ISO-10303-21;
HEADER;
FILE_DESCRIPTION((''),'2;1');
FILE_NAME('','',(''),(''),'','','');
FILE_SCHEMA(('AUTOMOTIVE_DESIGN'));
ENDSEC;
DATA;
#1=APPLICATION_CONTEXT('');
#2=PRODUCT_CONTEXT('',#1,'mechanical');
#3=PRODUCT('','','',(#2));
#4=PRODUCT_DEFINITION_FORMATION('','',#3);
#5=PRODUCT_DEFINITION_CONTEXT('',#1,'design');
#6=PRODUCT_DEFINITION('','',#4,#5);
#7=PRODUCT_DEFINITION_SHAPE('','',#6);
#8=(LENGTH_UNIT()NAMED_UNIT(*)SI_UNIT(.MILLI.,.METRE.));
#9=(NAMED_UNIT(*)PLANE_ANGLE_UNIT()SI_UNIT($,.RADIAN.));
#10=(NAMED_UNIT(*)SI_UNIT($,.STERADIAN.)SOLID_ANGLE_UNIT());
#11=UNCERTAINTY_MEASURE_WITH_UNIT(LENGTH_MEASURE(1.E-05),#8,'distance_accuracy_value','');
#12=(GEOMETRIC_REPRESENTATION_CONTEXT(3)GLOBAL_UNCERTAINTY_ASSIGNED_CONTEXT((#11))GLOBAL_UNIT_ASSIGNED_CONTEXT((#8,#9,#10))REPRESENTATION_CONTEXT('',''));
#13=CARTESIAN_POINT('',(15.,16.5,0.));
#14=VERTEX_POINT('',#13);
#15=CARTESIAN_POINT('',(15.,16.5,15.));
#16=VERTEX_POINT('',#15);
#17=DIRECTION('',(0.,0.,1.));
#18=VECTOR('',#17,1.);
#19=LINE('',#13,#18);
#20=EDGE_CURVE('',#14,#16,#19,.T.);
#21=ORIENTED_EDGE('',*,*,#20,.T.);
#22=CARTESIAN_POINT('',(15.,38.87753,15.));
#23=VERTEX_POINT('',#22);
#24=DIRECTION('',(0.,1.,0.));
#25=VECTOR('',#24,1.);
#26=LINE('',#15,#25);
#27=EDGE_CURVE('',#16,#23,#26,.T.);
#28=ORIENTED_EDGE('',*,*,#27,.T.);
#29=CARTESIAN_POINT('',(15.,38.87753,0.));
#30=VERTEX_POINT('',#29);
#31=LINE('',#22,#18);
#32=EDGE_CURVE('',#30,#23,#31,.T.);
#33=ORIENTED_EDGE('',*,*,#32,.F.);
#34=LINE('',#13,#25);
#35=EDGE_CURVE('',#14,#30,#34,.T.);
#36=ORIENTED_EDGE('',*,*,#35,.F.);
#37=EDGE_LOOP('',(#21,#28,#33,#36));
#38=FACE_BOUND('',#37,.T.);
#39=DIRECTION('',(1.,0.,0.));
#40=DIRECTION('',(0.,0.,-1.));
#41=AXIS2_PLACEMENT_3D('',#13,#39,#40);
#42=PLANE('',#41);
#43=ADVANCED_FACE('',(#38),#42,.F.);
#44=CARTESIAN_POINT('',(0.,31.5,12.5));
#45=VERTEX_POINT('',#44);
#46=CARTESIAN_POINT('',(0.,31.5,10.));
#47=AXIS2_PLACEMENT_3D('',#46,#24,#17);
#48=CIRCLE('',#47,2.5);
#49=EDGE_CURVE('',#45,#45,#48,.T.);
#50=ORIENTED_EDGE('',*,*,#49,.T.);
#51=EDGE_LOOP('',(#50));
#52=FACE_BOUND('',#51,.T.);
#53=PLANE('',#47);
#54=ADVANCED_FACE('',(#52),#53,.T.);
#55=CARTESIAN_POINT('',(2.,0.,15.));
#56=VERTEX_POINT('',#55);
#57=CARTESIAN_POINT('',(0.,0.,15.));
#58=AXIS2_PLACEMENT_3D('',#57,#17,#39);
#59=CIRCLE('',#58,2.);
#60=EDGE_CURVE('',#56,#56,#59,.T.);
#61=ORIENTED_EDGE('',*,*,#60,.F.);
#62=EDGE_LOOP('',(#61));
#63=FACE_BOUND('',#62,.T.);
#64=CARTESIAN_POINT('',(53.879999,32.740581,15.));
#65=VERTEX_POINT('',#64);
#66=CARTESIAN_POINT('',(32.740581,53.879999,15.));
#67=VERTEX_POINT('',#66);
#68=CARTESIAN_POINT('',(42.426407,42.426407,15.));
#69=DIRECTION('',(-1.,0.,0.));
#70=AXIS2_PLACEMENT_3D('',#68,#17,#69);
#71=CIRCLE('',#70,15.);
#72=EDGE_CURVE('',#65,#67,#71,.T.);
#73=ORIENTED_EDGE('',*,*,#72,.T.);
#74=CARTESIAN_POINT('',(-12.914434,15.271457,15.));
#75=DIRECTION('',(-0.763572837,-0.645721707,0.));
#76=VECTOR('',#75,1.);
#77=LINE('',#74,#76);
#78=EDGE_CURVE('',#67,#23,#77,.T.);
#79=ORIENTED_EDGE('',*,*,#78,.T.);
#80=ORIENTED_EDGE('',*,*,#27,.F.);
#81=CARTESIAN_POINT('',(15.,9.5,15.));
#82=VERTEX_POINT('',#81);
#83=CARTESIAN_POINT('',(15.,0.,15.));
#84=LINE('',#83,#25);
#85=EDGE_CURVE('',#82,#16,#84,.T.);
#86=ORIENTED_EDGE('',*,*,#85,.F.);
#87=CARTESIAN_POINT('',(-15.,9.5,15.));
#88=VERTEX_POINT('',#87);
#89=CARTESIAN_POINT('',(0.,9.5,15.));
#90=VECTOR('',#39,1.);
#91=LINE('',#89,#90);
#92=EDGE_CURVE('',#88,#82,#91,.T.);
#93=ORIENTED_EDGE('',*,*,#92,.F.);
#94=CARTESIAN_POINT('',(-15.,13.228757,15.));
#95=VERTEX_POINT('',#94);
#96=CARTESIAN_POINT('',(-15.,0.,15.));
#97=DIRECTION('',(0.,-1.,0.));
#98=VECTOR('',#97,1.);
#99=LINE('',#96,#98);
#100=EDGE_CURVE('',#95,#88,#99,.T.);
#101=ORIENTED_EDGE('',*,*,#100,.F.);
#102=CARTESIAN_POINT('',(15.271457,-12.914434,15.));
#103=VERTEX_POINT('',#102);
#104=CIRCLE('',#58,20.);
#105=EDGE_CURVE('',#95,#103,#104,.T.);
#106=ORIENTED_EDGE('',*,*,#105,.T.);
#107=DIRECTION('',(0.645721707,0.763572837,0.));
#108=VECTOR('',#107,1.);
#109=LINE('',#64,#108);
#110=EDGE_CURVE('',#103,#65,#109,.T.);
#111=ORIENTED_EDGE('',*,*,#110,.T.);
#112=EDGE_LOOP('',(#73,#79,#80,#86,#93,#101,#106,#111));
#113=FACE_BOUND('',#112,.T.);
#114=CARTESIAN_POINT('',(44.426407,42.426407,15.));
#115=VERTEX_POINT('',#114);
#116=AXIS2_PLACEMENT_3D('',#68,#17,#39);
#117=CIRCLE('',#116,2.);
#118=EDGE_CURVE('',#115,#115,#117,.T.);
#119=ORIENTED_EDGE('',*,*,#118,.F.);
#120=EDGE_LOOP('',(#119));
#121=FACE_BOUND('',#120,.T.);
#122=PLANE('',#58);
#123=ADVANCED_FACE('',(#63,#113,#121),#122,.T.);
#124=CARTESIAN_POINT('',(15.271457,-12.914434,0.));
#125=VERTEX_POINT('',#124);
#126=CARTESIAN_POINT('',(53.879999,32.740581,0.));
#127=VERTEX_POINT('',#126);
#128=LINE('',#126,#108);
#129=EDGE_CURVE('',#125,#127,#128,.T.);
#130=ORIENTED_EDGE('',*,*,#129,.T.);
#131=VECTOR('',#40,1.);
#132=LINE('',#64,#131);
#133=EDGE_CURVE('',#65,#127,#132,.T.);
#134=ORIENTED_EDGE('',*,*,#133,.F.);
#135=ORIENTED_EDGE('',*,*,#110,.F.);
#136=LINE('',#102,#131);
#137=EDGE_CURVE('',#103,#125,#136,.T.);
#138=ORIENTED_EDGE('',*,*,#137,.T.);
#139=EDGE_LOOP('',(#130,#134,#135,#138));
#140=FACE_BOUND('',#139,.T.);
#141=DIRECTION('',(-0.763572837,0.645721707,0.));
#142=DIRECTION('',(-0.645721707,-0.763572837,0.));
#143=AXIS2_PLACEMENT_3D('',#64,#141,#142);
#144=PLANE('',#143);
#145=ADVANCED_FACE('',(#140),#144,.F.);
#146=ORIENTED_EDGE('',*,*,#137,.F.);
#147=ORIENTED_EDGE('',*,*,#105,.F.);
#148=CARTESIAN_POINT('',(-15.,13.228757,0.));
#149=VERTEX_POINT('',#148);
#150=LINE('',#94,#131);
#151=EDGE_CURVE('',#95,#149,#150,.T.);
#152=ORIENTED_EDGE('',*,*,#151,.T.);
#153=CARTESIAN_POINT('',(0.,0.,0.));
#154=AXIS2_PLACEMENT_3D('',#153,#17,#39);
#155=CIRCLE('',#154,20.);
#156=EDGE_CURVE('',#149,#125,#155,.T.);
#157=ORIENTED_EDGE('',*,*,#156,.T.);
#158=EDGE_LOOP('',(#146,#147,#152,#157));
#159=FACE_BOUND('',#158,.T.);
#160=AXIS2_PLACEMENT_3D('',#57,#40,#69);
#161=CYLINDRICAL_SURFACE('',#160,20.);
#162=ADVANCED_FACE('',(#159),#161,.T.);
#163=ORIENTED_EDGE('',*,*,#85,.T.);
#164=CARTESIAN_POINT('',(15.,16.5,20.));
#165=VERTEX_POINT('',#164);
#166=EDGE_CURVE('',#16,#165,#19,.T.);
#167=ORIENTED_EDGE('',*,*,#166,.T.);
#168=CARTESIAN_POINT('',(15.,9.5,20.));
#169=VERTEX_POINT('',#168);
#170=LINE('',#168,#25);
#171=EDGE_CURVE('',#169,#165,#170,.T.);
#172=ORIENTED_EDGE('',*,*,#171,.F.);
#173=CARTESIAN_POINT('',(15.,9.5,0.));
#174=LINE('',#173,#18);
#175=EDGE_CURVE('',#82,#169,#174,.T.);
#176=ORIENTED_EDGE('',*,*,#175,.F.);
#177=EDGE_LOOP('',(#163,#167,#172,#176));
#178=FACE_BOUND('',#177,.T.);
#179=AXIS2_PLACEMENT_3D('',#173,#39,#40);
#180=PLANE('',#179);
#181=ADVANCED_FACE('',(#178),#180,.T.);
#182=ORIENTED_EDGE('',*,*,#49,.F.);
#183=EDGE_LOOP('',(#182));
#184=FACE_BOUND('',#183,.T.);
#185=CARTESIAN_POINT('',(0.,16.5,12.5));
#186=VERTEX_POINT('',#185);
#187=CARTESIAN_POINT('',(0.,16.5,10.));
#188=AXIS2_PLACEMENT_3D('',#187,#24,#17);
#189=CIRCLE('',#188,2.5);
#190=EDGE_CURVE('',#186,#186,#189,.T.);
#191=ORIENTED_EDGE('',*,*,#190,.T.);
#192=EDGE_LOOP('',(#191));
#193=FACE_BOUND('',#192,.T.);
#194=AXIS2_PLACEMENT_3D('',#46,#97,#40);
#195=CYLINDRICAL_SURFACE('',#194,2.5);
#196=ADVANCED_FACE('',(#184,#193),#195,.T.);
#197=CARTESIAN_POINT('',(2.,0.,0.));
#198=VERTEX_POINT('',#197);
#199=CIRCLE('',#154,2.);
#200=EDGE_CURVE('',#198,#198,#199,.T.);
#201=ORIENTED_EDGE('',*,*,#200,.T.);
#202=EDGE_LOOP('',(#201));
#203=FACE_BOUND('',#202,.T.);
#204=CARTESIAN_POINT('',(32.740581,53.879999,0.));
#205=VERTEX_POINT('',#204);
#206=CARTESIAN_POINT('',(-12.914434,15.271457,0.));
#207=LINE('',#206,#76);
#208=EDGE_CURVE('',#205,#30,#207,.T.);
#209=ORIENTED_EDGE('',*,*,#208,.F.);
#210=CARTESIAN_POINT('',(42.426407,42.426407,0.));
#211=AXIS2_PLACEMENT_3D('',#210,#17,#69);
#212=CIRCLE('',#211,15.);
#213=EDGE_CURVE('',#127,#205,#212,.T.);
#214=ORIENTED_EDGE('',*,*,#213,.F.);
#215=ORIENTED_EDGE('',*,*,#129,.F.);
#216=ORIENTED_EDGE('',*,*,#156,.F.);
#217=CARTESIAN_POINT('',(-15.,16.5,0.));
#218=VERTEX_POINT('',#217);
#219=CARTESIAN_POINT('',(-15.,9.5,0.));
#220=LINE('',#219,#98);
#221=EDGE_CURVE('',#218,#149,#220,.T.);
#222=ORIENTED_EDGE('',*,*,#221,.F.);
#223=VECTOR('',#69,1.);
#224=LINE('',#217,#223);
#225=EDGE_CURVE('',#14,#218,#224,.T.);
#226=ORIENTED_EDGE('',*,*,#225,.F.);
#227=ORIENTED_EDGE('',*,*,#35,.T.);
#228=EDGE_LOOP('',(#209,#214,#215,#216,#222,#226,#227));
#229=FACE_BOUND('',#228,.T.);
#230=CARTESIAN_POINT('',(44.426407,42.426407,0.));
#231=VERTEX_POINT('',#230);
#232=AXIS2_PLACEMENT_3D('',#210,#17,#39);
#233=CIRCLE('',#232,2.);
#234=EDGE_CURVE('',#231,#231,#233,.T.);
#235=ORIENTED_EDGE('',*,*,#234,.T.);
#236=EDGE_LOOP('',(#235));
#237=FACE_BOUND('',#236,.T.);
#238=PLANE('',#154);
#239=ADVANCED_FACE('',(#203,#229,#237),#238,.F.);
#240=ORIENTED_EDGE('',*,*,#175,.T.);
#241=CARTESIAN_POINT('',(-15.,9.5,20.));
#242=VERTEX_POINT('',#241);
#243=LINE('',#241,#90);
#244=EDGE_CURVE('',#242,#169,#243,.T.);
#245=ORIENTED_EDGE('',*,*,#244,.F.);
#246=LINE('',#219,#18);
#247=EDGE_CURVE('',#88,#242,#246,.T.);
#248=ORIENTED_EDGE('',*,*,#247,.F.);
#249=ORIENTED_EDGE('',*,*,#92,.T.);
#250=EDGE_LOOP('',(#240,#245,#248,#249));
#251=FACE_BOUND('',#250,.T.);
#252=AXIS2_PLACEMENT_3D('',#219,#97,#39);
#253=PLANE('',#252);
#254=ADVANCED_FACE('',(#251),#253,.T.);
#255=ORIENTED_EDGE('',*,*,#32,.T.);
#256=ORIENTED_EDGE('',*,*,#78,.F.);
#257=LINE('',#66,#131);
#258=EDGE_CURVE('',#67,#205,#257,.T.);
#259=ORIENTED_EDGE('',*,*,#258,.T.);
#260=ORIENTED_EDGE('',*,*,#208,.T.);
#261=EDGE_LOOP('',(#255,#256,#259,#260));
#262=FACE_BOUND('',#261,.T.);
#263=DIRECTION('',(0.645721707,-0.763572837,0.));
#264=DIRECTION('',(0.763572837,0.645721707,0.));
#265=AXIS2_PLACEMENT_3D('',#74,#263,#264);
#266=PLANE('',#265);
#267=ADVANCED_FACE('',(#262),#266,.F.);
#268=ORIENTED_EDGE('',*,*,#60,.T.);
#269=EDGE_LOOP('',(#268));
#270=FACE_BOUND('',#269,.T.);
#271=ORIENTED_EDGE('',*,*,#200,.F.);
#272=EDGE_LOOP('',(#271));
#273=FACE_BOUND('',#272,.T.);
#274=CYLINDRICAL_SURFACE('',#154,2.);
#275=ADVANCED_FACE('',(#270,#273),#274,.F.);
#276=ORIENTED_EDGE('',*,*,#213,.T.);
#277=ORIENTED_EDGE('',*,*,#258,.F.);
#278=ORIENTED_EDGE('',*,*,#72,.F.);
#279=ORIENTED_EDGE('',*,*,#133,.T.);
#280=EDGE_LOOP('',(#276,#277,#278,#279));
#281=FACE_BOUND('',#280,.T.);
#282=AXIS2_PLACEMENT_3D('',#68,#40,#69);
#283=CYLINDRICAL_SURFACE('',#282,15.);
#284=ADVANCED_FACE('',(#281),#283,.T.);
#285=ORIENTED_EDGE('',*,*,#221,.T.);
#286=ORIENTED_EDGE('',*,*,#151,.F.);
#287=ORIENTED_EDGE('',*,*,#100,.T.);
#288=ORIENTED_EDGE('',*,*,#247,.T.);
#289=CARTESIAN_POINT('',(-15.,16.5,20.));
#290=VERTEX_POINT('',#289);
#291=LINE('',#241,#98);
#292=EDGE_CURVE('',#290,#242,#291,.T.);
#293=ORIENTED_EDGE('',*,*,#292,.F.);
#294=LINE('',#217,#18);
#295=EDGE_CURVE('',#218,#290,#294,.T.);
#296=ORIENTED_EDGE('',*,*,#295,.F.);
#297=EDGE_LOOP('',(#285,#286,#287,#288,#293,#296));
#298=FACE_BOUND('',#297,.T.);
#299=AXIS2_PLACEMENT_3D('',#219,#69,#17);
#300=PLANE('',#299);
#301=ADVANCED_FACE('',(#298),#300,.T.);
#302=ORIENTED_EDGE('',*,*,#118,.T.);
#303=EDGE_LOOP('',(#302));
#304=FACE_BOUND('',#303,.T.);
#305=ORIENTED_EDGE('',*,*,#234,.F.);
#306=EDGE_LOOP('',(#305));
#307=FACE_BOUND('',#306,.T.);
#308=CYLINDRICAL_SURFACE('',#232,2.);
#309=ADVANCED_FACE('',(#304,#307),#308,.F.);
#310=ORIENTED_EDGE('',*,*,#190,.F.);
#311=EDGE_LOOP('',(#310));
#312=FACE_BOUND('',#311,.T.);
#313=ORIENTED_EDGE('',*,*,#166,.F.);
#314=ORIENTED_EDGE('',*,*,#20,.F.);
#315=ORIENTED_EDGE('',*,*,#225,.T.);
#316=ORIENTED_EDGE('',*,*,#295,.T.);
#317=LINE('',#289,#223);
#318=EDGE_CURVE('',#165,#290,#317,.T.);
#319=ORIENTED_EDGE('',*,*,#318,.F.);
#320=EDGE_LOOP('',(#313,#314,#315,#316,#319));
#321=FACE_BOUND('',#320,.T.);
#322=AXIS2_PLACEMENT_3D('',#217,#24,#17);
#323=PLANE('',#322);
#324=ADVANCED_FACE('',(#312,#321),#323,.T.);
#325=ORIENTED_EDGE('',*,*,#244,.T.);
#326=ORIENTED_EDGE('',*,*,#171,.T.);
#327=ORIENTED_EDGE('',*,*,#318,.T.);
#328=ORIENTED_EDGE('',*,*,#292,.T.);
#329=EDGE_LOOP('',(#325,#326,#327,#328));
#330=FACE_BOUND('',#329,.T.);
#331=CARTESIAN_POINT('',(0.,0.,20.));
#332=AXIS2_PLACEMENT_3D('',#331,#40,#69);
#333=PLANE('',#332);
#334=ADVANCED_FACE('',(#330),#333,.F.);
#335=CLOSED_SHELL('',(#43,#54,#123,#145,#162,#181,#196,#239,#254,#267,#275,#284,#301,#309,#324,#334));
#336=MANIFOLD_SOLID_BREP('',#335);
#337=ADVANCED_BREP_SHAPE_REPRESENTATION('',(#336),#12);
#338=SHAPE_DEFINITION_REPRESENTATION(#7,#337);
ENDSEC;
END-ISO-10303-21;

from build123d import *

# Parameters (mm, degrees)
BOSS_EXTRUDE1_DEPTH      = 15
SKETCH2_R                = 2
CUT_EXTRUDE1_DEPTH       = 1
CUT_EXTRUDE1_DEPTH_BACK  = 16
SKETCH3_W                = 30
SKETCH3_H                = 7
BOSS_EXTRUDE2_DEPTH      = 5
BOSS_EXTRUDE2_DEPTH_BACK = 15
SKETCH4_W                = 38.205528846
SKETCH4_H                = 30.397050351
CUT_EXTRUDE2_DEPTH       = 6
CUT_EXTRUDE2_DEPTH_BACK  = 16
SKETCH5_R                = 2.5
BOSS_EXTRUDE3_DEPTH      = 15


with BuildPart() as part:
    # Sketch1 → Boss-Extrude1 (new body)
    with BuildSketch(Plane.XY):
        with BuildLine():
            Line((-12.914434136, 15.27145674), (32.740581269, 53.879999426))
            ThreePointArc((32.740581269, 53.879999426), (53.033008589, 53.033008589), (53.879999426, 32.740581269))
            Line((53.879999426, 32.740581269), (15.27145674, -12.914434136))
            ThreePointArc((15.27145674, -12.914434136), (-14.142135624, -14.142135624), (-12.914434136, 15.27145674))
        make_face()
    extrude(amount=BOSS_EXTRUDE1_DEPTH)

    # Sketch2 → Cut-Extrude1 (cut, two sides)
    with BuildSketch(Plane.XY.offset(15)) as cut_extrude1_sk:
        Circle(SKETCH2_R)
        with Locations((42.426406871, 42.426406871)):
            Circle(SKETCH2_R)
    extrude(amount=CUT_EXTRUDE1_DEPTH, mode=Mode.SUBTRACT)
    extrude(cut_extrude1_sk.sketch, amount=-CUT_EXTRUDE1_DEPTH_BACK, mode=Mode.SUBTRACT)

    # Sketch3 → Boss-Extrude2 (add, two sides)
    with BuildSketch(Plane.XY.offset(15)) as boss_extrude2_sk:
        with Locations((0, 13)):
            Rectangle(SKETCH3_W, SKETCH3_H)
    extrude(amount=BOSS_EXTRUDE2_DEPTH)
    extrude(boss_extrude2_sk.sketch, amount=-BOSS_EXTRUDE2_DEPTH_BACK)

    # Sketch4 → Cut-Extrude2 (cut, two sides)
    with BuildSketch(Plane.XY.offset(15)) as cut_extrude2_sk:
        with Locations((-4.102764423, 31.698525176)):
            Rectangle(SKETCH4_W, SKETCH4_H)
    extrude(amount=CUT_EXTRUDE2_DEPTH, mode=Mode.SUBTRACT)
    extrude(cut_extrude2_sk.sketch, amount=-CUT_EXTRUDE2_DEPTH_BACK, mode=Mode.SUBTRACT)

    # Sketch5 → Boss-Extrude3 (add)
    with BuildSketch(Plane(origin=(0, 16.5, 0), x_dir=(1, 0, 0), z_dir=(0, 1, 0))):
        with Locations((0, -10)):
            Circle(SKETCH5_R)
    extrude(amount=BOSS_EXTRUDE3_DEPTH)


solid = part.part
